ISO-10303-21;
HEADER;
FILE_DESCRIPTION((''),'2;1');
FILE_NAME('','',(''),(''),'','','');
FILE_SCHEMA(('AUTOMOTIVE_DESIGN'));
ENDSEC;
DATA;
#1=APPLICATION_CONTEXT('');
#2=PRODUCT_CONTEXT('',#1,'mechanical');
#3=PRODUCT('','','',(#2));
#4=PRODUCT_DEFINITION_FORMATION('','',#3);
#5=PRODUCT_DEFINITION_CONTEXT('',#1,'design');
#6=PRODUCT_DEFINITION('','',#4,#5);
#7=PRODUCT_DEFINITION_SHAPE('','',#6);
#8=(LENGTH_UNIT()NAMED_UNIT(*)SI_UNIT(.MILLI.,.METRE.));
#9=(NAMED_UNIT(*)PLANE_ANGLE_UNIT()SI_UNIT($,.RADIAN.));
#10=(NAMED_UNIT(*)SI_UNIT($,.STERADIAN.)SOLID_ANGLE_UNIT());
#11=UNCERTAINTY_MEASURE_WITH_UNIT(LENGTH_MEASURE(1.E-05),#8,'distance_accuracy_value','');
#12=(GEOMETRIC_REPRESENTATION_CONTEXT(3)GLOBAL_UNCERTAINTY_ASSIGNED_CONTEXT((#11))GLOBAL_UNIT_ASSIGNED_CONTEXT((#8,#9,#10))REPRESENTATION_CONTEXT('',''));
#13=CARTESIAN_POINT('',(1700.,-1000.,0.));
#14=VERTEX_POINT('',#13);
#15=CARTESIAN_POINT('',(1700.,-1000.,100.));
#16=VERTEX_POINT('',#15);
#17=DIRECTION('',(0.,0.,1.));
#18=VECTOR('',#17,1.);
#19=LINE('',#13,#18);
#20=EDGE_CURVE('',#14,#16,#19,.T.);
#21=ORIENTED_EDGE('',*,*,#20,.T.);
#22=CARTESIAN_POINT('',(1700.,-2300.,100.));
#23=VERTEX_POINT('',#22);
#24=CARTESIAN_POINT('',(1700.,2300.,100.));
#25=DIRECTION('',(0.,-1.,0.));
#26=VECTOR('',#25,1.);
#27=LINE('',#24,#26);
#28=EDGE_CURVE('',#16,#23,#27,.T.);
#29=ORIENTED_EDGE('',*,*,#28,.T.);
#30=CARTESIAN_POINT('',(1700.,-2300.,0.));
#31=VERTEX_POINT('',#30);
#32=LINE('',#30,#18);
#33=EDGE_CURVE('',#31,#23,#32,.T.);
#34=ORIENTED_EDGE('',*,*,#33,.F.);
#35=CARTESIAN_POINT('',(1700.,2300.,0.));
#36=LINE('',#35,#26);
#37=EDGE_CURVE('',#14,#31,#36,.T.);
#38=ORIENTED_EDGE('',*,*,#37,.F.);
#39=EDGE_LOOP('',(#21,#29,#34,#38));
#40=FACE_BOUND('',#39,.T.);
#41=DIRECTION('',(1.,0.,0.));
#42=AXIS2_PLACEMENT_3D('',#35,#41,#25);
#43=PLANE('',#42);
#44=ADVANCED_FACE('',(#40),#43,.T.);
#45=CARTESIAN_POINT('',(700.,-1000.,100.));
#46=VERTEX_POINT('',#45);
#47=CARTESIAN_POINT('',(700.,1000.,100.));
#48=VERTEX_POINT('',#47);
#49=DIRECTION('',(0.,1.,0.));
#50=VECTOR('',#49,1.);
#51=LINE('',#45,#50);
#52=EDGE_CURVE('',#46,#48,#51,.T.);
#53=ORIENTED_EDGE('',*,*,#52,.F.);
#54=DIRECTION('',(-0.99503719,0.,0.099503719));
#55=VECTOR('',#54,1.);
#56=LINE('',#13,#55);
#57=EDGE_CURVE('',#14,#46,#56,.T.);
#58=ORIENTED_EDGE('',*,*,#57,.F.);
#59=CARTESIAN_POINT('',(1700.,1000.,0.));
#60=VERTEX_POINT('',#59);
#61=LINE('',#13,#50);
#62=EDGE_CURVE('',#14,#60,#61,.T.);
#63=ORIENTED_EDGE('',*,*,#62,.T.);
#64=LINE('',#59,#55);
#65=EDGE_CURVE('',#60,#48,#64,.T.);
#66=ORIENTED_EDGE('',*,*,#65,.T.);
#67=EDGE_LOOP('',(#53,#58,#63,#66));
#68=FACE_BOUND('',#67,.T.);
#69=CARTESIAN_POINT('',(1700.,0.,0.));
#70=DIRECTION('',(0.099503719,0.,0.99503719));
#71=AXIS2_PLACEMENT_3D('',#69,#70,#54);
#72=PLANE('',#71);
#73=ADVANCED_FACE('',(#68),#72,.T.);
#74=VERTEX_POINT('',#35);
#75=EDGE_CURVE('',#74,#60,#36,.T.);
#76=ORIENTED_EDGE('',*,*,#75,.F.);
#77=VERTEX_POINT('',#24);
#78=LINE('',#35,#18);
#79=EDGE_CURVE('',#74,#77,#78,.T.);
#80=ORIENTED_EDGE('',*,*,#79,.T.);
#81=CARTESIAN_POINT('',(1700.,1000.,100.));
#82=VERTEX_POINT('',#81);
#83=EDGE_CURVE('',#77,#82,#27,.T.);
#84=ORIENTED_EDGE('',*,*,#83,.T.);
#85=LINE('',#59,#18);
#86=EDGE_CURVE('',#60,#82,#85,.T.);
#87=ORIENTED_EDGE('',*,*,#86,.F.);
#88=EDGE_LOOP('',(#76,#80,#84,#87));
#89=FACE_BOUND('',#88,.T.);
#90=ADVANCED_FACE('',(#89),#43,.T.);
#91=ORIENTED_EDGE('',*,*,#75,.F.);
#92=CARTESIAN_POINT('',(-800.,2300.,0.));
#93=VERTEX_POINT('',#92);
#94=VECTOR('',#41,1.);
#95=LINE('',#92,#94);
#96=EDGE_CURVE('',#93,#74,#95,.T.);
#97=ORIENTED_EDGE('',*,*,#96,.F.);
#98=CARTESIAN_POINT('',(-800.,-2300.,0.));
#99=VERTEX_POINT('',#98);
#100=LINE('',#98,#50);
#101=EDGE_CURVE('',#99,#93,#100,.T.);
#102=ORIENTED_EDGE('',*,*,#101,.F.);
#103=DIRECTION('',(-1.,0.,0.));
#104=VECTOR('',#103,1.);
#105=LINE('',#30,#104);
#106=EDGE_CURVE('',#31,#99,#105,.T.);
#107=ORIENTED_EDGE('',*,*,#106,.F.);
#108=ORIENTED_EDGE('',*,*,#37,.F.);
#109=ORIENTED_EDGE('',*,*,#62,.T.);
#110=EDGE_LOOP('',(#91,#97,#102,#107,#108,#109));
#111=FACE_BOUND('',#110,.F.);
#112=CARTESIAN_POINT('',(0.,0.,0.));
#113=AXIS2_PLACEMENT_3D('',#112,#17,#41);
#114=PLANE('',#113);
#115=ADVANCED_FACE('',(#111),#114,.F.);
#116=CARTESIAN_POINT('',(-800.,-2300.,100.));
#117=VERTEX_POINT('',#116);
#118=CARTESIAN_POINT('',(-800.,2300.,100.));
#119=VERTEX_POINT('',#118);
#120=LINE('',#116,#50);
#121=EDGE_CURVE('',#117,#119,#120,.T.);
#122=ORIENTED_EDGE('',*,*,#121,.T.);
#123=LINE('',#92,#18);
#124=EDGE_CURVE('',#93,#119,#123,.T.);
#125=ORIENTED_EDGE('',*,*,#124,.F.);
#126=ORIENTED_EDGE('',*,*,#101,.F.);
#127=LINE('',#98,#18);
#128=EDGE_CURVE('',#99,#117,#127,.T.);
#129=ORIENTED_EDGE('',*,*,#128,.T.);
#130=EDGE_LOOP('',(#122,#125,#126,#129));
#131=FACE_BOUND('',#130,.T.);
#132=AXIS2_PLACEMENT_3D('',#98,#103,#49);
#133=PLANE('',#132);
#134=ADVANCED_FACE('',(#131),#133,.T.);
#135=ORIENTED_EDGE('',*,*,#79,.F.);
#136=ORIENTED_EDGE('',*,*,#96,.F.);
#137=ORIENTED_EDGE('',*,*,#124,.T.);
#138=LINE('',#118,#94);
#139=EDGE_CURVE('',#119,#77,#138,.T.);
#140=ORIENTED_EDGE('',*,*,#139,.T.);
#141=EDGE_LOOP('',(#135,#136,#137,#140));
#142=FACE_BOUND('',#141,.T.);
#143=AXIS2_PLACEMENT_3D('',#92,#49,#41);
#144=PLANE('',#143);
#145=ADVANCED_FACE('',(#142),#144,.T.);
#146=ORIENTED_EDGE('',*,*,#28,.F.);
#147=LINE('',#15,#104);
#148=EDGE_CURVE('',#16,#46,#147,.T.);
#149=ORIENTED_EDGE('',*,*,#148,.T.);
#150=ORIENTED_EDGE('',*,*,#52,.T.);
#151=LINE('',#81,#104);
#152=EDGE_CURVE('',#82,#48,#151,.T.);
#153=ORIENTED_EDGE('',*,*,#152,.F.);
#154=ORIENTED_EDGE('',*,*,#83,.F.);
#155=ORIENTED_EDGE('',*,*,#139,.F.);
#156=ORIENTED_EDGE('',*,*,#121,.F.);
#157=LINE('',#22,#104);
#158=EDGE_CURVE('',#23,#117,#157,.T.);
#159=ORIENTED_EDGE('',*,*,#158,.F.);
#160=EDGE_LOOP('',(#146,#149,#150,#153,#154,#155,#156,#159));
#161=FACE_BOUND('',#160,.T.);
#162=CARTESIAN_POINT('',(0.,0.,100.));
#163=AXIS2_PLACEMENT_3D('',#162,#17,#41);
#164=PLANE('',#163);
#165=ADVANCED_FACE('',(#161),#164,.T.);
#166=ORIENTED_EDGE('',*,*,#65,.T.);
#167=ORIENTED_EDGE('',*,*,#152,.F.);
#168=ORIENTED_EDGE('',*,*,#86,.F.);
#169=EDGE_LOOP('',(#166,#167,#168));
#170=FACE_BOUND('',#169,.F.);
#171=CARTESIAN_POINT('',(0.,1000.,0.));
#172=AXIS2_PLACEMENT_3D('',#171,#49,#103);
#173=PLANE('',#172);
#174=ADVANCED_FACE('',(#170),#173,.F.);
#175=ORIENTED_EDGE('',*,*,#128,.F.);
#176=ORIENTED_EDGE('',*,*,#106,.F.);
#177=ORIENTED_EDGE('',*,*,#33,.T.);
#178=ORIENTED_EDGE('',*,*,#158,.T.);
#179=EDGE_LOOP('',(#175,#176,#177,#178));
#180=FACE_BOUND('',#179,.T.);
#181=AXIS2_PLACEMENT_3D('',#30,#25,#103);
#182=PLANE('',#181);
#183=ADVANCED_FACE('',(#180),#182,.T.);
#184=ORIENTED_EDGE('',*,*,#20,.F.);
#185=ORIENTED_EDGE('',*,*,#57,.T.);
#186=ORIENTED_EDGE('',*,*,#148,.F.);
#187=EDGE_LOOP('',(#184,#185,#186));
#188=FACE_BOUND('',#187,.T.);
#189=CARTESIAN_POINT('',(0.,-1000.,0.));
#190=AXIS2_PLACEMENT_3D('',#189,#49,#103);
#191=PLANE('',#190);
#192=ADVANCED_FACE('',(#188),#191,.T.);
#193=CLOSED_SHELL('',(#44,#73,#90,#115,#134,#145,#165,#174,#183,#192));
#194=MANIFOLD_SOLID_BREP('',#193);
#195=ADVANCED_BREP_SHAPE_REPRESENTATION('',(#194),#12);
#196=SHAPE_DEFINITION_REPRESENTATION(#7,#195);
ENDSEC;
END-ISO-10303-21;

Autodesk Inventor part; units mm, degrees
ref_plane "YZ Plane" through (0, 0, 0) normal (1, 0, 0) x (0, 1, 0)
ref_plane "XZ Plane" through (0, 0, 0) normal (0, 1, 0) x (-1, 0, 0)
ref_plane "XY Plane" through (0, 0, 0) normal (0, 0, 1) x (1, 0, 0)
sketch "スケッチ1" plane through (0, 0, 0) normal (0, 0, 1) x (1, 0, 0)
  line L0 (-800, 2300) -> (1700, 2300)
  line L1 (1700, 2300) -> (1700, -2300)
  line L2 (1700, -2300) -> (-800, -2300)
  line L3 (-800, -2300) -> (-800, 2300)
  line L4 (-1000, 2500) -> (2000, 2500) construction
  line L5 (2000, 2500) -> (2000, -2500) construction
  line L6 (2000, -2500) -> (-1000, -2500) construction
  line L7 (-1000, -2500) -> (-1000, 2500) construction
  point P0 (0, 0)
  point P1 (-1000, 0)
  dimension "d13" = 2500
  dimension "d14" = 5000
  dimension "d15" = 1000
  dimension "d16" = 2000
  dimension "d17" = 200
  dimension "d18" = 200
  dimension "d19" = 200
extrude "押し出し1" add sketch "スケッチ1" along normal blind 100
sketch "スケッチ4" plane through (0, 0, 0) normal (0, 1, 0) x (-1, 0, 0)
  line L0 (-1700, 0) -> (-700, 100)
  line L1 (-1700, 100) -> (800, 100) projected
  line L2 (-1700, 0) -> (-1700, 100) projected
  line L3 (-700, 100) -> (-1700, 100)
  line L4 (-1700, 100) -> (-1700, 0)
  point P0 (0, 0)
  dimension "d20" = 1000
extrude "押し出し4" cut sketch "スケッチ4" along normal mid plane 2000
properties part number "Stage"
